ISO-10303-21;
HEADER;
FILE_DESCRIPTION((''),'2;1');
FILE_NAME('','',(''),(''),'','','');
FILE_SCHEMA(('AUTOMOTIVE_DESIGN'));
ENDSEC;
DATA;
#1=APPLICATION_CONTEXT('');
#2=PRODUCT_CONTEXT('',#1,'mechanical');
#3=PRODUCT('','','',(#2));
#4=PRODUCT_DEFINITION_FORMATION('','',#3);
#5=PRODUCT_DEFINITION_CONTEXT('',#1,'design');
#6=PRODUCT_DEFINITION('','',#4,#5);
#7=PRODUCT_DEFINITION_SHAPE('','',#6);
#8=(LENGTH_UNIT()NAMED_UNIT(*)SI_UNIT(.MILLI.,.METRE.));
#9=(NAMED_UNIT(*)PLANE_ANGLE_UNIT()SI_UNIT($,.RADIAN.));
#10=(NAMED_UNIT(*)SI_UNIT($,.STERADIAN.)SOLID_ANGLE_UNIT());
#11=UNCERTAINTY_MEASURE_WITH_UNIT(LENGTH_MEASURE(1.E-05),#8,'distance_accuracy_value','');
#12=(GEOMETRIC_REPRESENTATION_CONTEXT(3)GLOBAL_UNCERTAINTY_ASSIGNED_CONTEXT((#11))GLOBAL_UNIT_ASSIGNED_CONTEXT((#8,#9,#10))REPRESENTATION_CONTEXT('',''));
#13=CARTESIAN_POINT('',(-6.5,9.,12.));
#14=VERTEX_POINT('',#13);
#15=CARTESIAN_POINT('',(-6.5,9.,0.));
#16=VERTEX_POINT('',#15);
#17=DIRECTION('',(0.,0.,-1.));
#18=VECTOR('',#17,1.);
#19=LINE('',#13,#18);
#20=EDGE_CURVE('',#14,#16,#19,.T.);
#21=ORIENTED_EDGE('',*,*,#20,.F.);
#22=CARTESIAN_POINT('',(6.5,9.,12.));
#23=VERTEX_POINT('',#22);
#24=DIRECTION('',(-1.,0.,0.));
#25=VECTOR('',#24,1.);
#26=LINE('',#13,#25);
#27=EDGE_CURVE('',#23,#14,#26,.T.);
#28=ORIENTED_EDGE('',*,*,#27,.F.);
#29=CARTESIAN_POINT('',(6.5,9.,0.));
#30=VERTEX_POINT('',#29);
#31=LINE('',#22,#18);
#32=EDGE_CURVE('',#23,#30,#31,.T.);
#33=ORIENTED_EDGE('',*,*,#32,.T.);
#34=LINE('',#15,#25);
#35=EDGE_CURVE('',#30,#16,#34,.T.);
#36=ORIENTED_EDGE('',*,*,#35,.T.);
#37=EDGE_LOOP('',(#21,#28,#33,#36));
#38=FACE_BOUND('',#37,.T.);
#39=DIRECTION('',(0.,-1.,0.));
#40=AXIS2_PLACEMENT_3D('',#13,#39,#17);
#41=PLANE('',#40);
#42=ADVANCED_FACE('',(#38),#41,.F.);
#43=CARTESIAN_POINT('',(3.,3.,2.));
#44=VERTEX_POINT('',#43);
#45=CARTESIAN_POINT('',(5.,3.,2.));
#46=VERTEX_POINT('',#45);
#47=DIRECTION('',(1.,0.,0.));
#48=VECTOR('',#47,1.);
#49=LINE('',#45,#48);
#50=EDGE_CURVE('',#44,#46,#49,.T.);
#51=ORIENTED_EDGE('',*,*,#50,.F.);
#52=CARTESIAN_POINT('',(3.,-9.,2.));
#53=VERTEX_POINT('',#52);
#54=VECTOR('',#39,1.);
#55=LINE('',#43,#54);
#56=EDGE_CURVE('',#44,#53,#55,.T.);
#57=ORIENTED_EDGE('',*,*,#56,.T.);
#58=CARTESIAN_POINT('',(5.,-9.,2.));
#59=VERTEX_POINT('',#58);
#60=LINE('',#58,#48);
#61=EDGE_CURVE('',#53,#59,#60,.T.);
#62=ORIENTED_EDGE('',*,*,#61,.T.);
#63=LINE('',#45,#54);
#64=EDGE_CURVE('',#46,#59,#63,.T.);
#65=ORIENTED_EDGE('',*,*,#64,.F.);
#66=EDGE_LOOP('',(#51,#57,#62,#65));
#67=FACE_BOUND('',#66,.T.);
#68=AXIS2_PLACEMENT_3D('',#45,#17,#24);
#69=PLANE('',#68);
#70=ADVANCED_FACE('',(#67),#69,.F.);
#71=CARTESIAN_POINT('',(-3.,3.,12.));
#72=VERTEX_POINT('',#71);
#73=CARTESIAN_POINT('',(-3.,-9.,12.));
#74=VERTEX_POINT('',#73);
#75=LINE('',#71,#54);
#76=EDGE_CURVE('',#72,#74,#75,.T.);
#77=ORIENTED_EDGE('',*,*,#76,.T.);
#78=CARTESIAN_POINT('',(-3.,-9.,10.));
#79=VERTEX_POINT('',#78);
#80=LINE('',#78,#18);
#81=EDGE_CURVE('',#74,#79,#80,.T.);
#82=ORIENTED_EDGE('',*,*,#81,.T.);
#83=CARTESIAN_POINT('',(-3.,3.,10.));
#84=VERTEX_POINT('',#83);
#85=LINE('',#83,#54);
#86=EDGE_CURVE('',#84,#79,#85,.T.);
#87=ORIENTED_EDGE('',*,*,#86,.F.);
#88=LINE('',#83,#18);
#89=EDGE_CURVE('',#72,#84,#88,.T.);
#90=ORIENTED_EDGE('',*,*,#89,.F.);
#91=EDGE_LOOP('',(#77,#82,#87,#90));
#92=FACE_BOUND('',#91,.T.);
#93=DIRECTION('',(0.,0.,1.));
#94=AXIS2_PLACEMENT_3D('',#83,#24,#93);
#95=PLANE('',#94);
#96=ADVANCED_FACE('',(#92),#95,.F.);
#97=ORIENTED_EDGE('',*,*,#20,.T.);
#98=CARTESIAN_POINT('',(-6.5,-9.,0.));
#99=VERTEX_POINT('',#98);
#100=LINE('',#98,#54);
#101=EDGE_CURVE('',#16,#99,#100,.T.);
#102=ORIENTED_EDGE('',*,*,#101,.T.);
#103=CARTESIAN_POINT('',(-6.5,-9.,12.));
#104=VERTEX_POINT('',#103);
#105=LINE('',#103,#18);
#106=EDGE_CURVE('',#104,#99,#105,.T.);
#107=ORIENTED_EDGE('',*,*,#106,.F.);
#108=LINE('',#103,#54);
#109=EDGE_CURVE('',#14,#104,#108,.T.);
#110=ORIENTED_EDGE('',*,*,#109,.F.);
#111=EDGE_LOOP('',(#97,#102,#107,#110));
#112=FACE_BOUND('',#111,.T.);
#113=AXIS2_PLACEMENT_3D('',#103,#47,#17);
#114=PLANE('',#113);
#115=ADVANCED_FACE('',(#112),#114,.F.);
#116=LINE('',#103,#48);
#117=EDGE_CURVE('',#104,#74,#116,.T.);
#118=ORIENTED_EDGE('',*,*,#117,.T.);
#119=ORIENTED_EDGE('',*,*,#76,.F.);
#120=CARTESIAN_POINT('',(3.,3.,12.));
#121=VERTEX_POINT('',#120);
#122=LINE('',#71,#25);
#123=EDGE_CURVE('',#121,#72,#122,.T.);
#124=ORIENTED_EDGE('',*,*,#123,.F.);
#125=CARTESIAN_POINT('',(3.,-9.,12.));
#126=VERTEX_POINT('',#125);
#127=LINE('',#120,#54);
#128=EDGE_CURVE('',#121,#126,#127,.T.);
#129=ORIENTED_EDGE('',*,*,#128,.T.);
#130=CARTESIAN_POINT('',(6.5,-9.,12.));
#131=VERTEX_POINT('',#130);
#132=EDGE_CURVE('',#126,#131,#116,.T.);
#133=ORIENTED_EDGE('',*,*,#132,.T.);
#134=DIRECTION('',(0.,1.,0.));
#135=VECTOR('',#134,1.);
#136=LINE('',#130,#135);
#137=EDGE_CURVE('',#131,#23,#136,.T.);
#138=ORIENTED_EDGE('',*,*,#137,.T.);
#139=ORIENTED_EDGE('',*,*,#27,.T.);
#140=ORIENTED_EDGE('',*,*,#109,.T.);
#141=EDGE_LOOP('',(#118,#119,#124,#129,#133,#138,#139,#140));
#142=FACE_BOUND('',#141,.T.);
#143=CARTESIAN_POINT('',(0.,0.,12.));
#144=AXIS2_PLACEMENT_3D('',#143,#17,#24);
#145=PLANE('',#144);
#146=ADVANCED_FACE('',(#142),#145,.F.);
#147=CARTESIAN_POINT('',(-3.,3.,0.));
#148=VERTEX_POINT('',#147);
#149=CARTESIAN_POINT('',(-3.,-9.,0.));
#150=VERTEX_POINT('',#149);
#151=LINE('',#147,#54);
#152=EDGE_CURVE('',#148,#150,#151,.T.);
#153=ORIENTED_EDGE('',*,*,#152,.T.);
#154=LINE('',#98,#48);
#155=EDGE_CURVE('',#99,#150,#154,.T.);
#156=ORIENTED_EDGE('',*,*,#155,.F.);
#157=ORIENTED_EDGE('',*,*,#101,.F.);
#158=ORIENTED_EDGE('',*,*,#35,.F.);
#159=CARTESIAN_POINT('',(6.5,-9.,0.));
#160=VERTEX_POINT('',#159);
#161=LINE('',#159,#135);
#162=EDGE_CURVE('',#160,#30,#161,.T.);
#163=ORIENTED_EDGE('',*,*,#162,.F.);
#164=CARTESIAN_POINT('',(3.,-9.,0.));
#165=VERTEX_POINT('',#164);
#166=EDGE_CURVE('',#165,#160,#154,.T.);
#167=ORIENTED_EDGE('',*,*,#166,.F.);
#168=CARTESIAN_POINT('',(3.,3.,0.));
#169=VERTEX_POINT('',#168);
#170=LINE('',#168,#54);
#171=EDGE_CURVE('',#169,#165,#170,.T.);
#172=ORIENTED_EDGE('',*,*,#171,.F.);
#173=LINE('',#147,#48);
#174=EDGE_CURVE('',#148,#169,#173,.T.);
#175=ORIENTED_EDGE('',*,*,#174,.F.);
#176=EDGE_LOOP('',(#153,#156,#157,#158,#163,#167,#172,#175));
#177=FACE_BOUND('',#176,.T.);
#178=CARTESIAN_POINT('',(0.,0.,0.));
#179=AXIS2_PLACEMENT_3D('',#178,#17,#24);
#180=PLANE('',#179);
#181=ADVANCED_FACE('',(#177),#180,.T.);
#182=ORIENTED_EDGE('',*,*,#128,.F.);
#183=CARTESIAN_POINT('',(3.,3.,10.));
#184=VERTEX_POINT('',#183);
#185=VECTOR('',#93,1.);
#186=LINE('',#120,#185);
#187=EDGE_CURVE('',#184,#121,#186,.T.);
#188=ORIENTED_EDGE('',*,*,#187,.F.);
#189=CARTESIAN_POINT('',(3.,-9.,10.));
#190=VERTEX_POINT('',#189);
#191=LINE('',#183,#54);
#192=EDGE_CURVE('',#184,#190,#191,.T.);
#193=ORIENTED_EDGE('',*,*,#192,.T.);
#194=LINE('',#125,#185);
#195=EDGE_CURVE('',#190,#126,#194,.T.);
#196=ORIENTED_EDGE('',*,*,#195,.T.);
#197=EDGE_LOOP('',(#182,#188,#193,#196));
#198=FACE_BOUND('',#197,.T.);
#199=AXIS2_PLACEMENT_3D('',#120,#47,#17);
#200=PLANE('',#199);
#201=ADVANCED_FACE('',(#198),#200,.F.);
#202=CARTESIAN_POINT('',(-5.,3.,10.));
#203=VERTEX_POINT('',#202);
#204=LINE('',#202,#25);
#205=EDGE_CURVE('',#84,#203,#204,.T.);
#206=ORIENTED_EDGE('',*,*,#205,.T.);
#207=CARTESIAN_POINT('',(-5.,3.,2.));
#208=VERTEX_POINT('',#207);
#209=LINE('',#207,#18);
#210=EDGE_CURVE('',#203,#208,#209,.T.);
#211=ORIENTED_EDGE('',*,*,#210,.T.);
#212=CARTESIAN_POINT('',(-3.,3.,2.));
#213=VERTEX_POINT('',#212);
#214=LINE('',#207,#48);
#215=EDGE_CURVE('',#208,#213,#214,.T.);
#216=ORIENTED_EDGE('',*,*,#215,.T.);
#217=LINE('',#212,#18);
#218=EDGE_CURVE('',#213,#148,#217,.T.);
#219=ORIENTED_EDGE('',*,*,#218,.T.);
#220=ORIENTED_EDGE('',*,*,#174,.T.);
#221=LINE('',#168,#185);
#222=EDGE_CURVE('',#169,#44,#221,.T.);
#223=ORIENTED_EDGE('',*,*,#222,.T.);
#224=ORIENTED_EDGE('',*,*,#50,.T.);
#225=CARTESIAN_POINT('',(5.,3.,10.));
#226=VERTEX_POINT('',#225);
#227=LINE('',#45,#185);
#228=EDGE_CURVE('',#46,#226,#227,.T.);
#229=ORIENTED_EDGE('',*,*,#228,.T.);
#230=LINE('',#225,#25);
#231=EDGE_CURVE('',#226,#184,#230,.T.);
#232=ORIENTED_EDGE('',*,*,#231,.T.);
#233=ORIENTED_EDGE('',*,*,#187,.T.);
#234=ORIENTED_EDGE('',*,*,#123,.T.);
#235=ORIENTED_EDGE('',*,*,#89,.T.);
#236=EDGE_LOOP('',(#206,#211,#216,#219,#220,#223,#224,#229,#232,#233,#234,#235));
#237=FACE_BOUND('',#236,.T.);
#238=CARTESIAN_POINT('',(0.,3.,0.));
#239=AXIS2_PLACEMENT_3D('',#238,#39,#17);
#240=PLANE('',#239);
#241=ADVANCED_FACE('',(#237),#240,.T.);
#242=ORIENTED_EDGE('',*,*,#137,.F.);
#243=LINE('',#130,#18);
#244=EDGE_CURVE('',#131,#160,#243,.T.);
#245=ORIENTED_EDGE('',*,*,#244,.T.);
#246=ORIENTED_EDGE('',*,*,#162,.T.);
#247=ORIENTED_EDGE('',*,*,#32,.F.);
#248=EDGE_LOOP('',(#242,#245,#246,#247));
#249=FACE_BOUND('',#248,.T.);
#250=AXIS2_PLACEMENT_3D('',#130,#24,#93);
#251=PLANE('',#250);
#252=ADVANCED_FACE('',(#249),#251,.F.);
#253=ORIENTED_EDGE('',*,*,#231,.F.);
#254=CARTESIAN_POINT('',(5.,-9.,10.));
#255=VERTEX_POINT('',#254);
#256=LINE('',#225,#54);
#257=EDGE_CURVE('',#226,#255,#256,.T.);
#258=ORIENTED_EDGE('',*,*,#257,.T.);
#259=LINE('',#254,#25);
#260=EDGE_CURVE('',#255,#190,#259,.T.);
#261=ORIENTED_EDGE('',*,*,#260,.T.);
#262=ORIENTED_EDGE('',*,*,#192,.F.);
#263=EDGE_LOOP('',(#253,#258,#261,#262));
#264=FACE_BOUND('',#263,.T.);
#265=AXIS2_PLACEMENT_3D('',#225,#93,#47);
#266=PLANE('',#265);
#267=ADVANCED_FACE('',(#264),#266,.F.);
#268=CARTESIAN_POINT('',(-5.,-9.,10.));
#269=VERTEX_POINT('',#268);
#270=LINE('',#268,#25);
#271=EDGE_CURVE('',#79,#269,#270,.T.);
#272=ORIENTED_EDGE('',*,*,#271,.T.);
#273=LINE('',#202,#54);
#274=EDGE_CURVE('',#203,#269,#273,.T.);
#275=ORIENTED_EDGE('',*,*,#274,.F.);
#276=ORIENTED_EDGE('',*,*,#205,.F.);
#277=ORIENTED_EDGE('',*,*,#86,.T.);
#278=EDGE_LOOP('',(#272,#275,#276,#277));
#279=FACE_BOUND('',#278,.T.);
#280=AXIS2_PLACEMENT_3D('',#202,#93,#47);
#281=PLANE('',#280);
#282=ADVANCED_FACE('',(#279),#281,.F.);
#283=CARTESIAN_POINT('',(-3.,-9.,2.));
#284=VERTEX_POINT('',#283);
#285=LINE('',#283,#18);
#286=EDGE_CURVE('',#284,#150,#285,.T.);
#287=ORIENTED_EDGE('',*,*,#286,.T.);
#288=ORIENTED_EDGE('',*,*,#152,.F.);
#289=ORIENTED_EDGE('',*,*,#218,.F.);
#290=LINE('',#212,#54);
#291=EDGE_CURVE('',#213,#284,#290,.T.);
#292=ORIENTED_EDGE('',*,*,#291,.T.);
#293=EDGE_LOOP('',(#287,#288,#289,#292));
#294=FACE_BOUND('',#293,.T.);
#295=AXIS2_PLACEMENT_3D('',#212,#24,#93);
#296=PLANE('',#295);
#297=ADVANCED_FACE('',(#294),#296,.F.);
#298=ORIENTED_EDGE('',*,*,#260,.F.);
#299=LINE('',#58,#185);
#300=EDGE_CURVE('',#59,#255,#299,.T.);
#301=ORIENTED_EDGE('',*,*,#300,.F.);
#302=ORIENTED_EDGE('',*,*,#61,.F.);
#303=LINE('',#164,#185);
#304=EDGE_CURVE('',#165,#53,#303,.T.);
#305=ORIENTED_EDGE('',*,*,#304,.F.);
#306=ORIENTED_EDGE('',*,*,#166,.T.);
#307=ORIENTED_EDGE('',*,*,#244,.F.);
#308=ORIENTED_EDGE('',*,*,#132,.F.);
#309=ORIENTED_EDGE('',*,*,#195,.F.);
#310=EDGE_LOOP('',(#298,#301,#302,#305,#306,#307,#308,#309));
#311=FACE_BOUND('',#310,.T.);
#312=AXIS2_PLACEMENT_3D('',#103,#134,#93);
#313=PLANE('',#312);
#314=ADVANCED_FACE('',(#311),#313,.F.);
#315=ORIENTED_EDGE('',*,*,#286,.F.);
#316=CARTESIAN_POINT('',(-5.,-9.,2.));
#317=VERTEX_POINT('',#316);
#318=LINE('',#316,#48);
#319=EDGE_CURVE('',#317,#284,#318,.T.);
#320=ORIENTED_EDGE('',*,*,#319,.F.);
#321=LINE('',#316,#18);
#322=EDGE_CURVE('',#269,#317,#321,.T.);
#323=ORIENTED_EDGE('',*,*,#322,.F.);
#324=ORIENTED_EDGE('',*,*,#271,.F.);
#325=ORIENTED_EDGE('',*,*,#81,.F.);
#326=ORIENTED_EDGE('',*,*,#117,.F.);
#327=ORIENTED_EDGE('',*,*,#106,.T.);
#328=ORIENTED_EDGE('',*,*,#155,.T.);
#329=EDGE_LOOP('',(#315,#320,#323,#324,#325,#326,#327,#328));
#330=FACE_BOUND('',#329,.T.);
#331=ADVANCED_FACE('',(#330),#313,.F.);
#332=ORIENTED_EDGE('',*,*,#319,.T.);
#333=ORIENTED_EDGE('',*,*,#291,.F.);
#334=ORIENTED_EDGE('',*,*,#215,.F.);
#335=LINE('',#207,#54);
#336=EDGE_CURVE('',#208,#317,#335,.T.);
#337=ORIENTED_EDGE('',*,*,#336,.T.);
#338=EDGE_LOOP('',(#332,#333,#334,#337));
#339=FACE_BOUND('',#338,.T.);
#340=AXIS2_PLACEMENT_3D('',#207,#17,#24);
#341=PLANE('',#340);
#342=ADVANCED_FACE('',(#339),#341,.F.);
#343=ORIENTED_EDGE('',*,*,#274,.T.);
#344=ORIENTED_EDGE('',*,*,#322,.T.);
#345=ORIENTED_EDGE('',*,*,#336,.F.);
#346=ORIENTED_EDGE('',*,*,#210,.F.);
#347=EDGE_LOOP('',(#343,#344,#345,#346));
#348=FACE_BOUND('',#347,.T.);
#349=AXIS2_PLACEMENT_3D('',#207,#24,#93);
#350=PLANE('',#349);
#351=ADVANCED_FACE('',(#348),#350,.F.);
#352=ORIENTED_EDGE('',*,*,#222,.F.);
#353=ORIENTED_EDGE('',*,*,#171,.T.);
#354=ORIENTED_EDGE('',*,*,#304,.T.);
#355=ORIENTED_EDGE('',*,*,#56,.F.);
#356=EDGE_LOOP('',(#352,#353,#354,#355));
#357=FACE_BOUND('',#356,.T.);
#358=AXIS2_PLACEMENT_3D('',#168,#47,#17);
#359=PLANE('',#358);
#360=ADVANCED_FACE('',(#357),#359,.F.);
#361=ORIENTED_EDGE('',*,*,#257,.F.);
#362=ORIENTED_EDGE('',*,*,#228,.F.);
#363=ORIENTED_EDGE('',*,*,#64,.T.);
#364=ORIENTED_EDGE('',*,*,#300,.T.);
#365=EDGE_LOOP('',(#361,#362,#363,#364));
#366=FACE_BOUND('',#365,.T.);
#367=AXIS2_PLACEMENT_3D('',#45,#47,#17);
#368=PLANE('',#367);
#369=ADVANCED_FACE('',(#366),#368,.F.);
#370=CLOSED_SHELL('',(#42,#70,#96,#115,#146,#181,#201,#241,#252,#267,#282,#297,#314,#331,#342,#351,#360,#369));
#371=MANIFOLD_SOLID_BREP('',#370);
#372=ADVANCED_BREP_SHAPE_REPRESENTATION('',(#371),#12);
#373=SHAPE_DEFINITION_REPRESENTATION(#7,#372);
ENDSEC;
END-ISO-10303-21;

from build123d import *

# Parameters (mm, degrees)
ESQUISSE1_W             = 13
ESQUISSE1_H             = 18
BOSS_EXTRU_1_DEPTH      = 12
ENL_V_MAT_EXTRU_1_DEPTH = 12


with BuildPart() as part:
    # Esquisse1 → Boss.-Extru.1 (new body)
    with BuildSketch(Plane.XY):
        Rectangle(ESQUISSE1_W, ESQUISSE1_H)
    extrude(amount=BOSS_EXTRU_1_DEPTH)

    # Esquisse2 → Enlèv. mat.-Extru.1 (cut)
    with BuildSketch(Plane.XZ.offset(9)):
        Polygon((-5, 10), (-3, 10), (-3, 12), (3, 12), (3, 10), (5, 10), (5, 2), (3, 2), (3, 0), (-3, 0), (-3, 2), (-5, 2), align=None)
    extrude(amount=-ENL_V_MAT_EXTRU_1_DEPTH, mode=Mode.SUBTRACT)


solid = part.part
